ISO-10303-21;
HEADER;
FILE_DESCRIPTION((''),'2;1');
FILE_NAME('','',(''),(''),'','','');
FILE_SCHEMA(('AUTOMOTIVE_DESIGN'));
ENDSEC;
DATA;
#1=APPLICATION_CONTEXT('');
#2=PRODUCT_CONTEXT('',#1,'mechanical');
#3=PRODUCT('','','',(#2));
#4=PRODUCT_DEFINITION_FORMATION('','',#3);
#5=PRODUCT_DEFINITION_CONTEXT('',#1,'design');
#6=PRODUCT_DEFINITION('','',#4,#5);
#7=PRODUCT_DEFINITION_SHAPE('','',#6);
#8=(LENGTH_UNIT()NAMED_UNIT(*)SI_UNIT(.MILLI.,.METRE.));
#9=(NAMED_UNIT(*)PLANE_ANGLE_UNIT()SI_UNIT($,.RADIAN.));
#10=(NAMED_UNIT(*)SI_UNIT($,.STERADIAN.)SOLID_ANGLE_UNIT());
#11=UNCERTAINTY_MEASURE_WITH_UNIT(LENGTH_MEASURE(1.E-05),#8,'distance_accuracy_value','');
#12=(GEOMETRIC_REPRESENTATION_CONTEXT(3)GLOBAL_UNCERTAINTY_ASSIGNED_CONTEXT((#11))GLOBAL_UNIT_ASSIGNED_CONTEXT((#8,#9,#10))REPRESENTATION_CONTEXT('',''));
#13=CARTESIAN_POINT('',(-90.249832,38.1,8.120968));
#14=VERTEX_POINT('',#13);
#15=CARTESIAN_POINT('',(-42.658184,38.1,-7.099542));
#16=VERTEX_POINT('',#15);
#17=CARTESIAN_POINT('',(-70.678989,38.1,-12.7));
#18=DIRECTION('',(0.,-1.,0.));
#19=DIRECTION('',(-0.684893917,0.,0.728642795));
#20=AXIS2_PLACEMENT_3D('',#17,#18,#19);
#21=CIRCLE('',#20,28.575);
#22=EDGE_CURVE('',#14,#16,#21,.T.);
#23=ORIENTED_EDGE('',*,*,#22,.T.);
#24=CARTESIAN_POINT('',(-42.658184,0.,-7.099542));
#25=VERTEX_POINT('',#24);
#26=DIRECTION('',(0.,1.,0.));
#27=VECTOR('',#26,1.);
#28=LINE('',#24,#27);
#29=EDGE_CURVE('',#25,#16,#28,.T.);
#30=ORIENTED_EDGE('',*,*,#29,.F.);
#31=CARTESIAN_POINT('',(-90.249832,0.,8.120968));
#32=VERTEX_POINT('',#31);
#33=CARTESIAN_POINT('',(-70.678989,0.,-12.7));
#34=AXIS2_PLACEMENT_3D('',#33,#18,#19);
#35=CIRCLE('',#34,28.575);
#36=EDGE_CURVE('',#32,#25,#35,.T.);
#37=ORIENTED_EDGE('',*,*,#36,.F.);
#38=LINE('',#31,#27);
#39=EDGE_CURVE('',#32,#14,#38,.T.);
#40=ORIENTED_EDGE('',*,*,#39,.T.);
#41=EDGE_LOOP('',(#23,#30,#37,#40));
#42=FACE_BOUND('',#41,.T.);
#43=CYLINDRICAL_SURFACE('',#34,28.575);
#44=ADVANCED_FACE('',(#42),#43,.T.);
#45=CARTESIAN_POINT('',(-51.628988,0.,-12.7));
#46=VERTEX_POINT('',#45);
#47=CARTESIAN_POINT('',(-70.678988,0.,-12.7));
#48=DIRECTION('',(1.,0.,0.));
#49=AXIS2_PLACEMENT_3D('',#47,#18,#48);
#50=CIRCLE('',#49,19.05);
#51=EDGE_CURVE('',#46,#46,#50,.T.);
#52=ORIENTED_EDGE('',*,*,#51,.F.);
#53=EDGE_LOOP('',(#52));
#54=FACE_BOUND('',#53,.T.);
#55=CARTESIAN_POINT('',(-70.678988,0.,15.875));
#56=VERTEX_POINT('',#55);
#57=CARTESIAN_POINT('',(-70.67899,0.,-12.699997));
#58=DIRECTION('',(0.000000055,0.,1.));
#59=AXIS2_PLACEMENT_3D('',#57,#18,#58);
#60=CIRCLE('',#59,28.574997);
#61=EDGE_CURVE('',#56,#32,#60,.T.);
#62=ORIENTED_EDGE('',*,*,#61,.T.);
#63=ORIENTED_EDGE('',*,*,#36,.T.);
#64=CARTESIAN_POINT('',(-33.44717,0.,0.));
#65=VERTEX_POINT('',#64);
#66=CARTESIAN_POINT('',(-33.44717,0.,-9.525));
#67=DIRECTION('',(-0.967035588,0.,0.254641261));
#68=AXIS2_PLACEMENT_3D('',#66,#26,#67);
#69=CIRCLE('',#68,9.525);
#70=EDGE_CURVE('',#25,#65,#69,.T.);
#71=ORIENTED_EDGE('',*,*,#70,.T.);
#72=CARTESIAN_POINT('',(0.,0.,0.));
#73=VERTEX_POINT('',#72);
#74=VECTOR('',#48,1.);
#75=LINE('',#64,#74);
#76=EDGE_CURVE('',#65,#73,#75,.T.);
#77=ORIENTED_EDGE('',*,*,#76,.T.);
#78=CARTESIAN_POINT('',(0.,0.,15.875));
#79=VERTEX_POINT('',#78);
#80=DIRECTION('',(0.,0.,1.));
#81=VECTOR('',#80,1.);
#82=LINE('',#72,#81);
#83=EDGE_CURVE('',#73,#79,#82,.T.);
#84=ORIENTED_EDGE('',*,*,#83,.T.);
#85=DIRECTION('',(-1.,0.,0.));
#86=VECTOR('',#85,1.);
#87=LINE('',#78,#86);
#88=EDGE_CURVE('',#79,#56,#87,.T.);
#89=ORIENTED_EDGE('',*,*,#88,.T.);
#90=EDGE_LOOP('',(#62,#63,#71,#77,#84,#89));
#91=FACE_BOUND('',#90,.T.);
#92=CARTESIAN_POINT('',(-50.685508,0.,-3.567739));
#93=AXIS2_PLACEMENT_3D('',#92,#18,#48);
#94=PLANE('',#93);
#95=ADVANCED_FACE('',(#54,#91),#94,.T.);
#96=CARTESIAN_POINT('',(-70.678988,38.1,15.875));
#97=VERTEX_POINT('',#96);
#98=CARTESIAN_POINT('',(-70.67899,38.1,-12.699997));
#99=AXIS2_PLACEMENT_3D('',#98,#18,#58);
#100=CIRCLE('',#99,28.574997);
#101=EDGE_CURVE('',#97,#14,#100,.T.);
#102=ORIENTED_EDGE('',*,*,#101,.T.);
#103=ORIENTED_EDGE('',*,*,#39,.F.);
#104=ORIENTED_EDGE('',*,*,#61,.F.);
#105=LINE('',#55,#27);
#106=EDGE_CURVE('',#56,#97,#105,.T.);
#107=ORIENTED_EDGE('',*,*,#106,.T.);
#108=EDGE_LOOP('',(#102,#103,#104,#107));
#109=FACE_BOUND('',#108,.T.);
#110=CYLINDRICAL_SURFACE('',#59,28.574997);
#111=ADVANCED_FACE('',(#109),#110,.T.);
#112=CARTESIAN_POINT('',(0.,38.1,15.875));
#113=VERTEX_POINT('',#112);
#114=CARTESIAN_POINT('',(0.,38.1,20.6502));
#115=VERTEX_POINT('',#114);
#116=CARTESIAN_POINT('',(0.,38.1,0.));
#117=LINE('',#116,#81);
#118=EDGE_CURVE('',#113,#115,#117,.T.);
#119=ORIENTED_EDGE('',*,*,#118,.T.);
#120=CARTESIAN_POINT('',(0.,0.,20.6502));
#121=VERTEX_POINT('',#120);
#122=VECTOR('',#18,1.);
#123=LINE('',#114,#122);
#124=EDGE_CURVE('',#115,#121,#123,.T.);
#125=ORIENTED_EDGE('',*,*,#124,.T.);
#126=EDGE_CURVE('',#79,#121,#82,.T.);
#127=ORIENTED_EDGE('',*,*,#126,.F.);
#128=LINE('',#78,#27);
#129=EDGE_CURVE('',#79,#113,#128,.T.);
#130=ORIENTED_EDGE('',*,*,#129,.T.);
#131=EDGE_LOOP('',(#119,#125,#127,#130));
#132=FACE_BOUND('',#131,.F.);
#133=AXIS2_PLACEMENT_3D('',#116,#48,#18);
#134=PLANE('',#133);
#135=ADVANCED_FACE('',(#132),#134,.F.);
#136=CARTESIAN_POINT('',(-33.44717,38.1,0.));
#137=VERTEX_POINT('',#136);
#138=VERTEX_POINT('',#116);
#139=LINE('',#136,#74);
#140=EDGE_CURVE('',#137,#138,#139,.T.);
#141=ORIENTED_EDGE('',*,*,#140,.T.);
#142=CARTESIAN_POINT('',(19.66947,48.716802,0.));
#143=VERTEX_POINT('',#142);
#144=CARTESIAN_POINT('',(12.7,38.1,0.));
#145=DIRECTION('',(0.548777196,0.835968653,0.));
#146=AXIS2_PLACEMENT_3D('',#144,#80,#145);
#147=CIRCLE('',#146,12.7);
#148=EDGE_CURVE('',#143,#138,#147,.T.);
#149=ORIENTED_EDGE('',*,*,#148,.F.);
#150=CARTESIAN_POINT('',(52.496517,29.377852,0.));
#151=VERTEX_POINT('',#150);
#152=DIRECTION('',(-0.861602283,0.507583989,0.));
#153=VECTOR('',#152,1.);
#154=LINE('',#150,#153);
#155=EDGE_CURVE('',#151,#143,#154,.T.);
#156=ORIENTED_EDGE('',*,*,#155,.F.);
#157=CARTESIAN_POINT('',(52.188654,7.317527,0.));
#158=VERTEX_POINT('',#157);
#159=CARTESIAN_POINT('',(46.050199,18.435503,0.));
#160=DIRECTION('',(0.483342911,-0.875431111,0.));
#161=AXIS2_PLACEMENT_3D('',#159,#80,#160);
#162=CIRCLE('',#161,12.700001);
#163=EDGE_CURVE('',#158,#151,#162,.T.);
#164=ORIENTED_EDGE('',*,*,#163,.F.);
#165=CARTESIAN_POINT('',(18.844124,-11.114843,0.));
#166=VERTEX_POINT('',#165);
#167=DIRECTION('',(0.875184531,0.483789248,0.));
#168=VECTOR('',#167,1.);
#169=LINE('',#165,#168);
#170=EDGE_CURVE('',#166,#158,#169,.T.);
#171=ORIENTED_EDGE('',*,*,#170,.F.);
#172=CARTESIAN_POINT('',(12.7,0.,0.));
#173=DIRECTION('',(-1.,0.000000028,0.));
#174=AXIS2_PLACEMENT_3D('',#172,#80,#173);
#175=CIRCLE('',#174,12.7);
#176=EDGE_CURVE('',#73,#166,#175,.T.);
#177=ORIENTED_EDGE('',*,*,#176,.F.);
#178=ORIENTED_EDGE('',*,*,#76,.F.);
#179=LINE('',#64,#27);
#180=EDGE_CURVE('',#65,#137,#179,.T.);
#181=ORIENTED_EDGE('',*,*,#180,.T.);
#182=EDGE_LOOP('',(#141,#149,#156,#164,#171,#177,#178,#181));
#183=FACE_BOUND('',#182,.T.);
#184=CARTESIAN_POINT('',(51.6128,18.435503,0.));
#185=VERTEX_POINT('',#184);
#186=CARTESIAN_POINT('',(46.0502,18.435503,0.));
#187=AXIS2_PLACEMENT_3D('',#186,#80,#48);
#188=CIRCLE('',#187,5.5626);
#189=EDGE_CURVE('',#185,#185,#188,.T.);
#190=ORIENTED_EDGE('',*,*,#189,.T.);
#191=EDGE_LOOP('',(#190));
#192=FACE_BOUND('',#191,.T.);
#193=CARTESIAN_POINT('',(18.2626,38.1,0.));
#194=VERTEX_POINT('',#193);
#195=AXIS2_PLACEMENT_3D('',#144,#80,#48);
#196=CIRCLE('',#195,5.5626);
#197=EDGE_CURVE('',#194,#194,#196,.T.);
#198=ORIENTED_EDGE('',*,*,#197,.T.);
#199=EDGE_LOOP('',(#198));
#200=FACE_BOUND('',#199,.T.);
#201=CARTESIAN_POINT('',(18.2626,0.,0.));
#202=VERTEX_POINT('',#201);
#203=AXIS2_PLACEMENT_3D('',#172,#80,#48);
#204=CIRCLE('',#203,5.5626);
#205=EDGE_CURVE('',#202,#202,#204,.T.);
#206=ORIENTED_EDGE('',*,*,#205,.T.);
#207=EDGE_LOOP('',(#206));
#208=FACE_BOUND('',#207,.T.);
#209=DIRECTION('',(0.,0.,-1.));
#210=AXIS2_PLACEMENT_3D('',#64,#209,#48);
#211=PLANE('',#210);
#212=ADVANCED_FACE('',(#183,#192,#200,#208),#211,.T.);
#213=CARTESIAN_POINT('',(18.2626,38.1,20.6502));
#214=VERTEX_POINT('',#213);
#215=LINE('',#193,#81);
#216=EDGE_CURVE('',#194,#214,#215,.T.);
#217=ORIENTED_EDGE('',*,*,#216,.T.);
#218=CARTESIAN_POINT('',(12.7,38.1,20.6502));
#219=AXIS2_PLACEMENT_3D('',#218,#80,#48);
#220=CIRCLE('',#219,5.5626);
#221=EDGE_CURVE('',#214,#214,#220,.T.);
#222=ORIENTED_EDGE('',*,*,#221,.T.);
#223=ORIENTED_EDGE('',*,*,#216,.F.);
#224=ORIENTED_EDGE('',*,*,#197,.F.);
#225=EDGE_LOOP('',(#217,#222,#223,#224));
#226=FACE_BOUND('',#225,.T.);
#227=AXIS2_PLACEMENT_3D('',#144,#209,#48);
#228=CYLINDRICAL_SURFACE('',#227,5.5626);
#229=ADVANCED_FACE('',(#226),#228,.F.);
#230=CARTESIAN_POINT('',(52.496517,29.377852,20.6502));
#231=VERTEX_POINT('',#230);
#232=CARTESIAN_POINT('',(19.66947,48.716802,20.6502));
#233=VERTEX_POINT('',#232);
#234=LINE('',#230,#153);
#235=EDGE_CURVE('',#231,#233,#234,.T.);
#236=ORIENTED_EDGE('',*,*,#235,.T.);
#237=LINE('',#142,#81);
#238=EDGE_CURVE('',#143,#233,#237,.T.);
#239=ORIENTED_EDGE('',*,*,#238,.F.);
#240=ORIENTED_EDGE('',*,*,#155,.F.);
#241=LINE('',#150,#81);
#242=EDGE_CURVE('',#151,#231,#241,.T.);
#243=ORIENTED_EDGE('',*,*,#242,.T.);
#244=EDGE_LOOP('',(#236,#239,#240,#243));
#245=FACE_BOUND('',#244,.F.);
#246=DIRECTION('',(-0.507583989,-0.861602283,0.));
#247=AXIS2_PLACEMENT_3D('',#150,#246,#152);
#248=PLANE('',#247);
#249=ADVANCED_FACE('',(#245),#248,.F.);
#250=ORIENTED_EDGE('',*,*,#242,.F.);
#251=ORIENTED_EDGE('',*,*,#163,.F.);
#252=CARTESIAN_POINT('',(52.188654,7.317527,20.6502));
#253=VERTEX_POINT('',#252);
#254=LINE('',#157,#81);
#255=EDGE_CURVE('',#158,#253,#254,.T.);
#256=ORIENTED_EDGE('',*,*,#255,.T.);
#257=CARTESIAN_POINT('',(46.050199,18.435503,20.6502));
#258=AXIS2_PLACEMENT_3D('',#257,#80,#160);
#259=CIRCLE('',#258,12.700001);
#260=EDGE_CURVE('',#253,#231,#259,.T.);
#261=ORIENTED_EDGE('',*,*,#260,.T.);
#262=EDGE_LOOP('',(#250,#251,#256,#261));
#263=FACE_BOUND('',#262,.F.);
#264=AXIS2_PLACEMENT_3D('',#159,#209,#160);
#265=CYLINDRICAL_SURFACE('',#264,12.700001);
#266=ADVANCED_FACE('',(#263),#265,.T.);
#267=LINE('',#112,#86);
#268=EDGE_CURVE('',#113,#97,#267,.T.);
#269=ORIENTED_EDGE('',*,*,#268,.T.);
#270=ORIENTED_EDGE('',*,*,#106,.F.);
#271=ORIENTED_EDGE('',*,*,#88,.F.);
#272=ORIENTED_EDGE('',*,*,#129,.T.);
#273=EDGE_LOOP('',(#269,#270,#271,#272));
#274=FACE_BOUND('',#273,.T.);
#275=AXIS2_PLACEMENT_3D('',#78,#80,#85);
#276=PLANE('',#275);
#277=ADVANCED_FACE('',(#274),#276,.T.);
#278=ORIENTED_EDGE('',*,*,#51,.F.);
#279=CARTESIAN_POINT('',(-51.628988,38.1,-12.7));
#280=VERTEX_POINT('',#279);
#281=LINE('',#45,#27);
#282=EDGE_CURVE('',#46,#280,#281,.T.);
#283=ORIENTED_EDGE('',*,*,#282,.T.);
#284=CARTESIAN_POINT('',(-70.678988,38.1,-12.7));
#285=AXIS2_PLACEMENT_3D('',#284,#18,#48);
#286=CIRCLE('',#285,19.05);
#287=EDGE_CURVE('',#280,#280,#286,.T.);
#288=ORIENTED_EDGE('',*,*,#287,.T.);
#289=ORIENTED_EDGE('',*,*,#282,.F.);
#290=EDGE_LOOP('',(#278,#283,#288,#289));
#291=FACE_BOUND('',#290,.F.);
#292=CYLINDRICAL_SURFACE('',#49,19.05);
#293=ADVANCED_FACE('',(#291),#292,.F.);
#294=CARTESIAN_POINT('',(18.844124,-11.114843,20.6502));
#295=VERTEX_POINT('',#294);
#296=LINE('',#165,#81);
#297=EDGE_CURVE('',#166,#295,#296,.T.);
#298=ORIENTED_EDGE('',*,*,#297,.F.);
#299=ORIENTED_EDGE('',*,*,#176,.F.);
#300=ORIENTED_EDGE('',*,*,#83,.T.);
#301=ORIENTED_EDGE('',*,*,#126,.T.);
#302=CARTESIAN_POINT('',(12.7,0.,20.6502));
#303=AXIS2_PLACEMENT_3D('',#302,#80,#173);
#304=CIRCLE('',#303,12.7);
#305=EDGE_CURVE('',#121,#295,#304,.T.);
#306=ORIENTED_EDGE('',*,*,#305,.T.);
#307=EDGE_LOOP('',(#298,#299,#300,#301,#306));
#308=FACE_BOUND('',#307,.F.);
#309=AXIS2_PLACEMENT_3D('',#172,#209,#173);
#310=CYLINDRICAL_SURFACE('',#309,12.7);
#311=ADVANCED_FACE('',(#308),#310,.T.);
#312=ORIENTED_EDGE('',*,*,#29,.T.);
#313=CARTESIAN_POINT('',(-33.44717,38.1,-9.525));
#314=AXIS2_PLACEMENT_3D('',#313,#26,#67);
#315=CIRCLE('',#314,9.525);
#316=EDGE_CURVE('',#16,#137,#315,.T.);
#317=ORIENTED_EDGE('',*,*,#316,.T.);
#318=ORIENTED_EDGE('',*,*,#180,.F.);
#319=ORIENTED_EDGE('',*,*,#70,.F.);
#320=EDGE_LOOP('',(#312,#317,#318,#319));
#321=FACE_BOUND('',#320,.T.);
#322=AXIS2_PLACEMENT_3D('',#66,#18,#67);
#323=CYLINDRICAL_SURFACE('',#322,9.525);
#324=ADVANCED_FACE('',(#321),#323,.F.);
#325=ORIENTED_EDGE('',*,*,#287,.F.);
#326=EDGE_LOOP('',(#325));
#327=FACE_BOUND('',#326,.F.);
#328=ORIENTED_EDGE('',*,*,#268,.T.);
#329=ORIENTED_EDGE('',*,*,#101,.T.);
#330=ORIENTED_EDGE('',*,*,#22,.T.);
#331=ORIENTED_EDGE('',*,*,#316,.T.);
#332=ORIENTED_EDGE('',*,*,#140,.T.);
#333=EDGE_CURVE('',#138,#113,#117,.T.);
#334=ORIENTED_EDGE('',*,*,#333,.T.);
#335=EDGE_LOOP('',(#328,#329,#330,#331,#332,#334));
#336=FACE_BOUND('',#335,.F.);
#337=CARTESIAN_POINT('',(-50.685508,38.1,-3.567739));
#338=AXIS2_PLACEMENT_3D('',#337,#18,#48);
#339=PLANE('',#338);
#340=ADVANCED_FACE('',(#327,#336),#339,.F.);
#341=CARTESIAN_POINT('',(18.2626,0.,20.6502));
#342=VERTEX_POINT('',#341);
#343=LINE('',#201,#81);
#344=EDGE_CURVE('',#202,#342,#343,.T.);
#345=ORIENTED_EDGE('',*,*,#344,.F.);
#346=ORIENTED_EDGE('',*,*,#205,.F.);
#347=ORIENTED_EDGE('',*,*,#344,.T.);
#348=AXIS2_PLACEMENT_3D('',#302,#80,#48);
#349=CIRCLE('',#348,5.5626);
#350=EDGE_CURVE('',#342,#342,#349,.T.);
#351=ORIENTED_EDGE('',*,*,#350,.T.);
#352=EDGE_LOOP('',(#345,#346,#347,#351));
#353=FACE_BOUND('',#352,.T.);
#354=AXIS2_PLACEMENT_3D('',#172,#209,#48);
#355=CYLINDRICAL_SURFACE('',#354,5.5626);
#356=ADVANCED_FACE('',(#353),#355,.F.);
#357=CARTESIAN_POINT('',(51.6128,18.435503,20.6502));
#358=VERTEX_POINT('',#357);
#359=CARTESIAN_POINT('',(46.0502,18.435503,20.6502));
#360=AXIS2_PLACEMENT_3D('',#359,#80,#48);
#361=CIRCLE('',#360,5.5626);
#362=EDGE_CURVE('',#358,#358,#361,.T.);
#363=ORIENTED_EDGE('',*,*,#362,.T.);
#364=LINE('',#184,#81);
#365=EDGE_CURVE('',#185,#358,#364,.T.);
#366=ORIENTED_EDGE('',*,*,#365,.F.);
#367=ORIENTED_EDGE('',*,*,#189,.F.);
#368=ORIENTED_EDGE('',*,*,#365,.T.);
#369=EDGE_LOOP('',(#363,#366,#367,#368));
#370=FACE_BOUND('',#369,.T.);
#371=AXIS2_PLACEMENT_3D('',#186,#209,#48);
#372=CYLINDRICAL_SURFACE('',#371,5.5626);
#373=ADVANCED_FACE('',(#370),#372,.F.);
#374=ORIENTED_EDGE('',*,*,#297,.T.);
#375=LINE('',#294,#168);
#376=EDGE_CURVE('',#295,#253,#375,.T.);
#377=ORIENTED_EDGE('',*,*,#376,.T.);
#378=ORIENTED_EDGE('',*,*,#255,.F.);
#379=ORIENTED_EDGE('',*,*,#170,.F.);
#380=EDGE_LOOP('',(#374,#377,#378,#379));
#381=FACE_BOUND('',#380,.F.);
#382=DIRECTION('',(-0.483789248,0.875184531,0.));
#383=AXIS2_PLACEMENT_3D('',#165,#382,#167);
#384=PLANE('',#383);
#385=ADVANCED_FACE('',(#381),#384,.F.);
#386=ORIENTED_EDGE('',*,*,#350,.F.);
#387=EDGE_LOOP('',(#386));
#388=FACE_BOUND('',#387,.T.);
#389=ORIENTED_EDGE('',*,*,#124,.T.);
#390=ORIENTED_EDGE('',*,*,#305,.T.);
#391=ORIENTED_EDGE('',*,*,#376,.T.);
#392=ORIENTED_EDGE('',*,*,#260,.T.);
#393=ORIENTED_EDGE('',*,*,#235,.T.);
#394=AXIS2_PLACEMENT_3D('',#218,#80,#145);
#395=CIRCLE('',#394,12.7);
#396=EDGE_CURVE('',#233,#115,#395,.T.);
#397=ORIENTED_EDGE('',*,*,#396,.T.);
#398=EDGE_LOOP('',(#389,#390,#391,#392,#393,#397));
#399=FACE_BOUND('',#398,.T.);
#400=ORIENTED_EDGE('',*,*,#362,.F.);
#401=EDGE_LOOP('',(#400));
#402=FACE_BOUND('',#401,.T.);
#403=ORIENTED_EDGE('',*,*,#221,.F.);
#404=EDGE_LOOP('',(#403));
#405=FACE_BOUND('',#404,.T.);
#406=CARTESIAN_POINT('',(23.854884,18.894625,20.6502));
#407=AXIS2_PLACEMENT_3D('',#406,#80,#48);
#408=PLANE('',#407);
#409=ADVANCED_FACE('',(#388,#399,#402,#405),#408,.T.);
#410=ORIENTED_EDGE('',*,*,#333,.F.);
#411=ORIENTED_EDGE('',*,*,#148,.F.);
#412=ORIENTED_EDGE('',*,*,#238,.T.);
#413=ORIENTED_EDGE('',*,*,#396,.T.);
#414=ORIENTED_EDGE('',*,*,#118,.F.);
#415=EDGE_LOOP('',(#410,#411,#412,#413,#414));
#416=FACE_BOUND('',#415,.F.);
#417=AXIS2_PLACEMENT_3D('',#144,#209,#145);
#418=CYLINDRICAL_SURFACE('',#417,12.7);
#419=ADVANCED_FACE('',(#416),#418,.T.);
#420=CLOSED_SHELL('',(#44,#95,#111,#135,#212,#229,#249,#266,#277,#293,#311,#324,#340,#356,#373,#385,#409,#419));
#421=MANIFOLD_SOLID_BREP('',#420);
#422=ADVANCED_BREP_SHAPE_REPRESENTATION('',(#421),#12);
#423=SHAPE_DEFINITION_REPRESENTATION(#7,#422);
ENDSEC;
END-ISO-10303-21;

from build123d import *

# Parameters (mm, degrees)
F0_R     = 5.5626
F1_DEPTH = 20.6502
F2_R     = 19.05
F3_DEPTH = 38.1


with BuildPart() as f1:
    # F0 (on Top) → F1 (new body)
    with BuildSketch(Plane.XY):
        with BuildLine():
            Line((0, 38.1), (0, 0))
            ThreePointArc((0, 0), (6.247883, -10.93893), (18.844124, -11.114843))
            Line((18.844124, -11.114843), (52.188654, 7.317527))
            ThreePointArc((52.188654, 7.317527), (58.748963, 18.258285), (52.496517, 29.377852))
            Line((52.496517, 29.377852), (19.66947, 48.716802))
            ThreePointArc((19.66947, 48.716802), (6.667682, 49.275918), (0, 38.1))
        make_face()
        with Locations((12.7, 0)):
            Circle(F0_R, mode=Mode.SUBTRACT)
        with Locations((46.0502, 18.435503)):
            Circle(F0_R, mode=Mode.SUBTRACT)
        with Locations((12.7, 38.1)):
            Circle(F0_R, mode=Mode.SUBTRACT)
    extrude(amount=F1_DEPTH)

    # F2 (on Front) → F3 (join)
    with BuildSketch(Plane.XZ):
        with BuildLine():
            Line((0, 0), (0, 15.875))
            Line((0, 15.875), (-70.678988, 15.875))
            ThreePointArc((-70.678988, 15.875), (-81.204468, 13.86586), (-90.249832, 8.120968))
            ThreePointArc((-90.249832, 8.120968), (-79.38338, -39.916983), (-42.658184, -7.099542))
            ThreePointArc((-42.658184, -7.099542), (-39.261941, -1.980859), (-33.44717, 0))
            Line((-33.44717, 0), (0, 0))
        make_face()
        with Locations((-70.678988, -12.7)):
            Circle(F2_R, mode=Mode.SUBTRACT)
    extrude(amount=-F3_DEPTH)


solid = f1.part
